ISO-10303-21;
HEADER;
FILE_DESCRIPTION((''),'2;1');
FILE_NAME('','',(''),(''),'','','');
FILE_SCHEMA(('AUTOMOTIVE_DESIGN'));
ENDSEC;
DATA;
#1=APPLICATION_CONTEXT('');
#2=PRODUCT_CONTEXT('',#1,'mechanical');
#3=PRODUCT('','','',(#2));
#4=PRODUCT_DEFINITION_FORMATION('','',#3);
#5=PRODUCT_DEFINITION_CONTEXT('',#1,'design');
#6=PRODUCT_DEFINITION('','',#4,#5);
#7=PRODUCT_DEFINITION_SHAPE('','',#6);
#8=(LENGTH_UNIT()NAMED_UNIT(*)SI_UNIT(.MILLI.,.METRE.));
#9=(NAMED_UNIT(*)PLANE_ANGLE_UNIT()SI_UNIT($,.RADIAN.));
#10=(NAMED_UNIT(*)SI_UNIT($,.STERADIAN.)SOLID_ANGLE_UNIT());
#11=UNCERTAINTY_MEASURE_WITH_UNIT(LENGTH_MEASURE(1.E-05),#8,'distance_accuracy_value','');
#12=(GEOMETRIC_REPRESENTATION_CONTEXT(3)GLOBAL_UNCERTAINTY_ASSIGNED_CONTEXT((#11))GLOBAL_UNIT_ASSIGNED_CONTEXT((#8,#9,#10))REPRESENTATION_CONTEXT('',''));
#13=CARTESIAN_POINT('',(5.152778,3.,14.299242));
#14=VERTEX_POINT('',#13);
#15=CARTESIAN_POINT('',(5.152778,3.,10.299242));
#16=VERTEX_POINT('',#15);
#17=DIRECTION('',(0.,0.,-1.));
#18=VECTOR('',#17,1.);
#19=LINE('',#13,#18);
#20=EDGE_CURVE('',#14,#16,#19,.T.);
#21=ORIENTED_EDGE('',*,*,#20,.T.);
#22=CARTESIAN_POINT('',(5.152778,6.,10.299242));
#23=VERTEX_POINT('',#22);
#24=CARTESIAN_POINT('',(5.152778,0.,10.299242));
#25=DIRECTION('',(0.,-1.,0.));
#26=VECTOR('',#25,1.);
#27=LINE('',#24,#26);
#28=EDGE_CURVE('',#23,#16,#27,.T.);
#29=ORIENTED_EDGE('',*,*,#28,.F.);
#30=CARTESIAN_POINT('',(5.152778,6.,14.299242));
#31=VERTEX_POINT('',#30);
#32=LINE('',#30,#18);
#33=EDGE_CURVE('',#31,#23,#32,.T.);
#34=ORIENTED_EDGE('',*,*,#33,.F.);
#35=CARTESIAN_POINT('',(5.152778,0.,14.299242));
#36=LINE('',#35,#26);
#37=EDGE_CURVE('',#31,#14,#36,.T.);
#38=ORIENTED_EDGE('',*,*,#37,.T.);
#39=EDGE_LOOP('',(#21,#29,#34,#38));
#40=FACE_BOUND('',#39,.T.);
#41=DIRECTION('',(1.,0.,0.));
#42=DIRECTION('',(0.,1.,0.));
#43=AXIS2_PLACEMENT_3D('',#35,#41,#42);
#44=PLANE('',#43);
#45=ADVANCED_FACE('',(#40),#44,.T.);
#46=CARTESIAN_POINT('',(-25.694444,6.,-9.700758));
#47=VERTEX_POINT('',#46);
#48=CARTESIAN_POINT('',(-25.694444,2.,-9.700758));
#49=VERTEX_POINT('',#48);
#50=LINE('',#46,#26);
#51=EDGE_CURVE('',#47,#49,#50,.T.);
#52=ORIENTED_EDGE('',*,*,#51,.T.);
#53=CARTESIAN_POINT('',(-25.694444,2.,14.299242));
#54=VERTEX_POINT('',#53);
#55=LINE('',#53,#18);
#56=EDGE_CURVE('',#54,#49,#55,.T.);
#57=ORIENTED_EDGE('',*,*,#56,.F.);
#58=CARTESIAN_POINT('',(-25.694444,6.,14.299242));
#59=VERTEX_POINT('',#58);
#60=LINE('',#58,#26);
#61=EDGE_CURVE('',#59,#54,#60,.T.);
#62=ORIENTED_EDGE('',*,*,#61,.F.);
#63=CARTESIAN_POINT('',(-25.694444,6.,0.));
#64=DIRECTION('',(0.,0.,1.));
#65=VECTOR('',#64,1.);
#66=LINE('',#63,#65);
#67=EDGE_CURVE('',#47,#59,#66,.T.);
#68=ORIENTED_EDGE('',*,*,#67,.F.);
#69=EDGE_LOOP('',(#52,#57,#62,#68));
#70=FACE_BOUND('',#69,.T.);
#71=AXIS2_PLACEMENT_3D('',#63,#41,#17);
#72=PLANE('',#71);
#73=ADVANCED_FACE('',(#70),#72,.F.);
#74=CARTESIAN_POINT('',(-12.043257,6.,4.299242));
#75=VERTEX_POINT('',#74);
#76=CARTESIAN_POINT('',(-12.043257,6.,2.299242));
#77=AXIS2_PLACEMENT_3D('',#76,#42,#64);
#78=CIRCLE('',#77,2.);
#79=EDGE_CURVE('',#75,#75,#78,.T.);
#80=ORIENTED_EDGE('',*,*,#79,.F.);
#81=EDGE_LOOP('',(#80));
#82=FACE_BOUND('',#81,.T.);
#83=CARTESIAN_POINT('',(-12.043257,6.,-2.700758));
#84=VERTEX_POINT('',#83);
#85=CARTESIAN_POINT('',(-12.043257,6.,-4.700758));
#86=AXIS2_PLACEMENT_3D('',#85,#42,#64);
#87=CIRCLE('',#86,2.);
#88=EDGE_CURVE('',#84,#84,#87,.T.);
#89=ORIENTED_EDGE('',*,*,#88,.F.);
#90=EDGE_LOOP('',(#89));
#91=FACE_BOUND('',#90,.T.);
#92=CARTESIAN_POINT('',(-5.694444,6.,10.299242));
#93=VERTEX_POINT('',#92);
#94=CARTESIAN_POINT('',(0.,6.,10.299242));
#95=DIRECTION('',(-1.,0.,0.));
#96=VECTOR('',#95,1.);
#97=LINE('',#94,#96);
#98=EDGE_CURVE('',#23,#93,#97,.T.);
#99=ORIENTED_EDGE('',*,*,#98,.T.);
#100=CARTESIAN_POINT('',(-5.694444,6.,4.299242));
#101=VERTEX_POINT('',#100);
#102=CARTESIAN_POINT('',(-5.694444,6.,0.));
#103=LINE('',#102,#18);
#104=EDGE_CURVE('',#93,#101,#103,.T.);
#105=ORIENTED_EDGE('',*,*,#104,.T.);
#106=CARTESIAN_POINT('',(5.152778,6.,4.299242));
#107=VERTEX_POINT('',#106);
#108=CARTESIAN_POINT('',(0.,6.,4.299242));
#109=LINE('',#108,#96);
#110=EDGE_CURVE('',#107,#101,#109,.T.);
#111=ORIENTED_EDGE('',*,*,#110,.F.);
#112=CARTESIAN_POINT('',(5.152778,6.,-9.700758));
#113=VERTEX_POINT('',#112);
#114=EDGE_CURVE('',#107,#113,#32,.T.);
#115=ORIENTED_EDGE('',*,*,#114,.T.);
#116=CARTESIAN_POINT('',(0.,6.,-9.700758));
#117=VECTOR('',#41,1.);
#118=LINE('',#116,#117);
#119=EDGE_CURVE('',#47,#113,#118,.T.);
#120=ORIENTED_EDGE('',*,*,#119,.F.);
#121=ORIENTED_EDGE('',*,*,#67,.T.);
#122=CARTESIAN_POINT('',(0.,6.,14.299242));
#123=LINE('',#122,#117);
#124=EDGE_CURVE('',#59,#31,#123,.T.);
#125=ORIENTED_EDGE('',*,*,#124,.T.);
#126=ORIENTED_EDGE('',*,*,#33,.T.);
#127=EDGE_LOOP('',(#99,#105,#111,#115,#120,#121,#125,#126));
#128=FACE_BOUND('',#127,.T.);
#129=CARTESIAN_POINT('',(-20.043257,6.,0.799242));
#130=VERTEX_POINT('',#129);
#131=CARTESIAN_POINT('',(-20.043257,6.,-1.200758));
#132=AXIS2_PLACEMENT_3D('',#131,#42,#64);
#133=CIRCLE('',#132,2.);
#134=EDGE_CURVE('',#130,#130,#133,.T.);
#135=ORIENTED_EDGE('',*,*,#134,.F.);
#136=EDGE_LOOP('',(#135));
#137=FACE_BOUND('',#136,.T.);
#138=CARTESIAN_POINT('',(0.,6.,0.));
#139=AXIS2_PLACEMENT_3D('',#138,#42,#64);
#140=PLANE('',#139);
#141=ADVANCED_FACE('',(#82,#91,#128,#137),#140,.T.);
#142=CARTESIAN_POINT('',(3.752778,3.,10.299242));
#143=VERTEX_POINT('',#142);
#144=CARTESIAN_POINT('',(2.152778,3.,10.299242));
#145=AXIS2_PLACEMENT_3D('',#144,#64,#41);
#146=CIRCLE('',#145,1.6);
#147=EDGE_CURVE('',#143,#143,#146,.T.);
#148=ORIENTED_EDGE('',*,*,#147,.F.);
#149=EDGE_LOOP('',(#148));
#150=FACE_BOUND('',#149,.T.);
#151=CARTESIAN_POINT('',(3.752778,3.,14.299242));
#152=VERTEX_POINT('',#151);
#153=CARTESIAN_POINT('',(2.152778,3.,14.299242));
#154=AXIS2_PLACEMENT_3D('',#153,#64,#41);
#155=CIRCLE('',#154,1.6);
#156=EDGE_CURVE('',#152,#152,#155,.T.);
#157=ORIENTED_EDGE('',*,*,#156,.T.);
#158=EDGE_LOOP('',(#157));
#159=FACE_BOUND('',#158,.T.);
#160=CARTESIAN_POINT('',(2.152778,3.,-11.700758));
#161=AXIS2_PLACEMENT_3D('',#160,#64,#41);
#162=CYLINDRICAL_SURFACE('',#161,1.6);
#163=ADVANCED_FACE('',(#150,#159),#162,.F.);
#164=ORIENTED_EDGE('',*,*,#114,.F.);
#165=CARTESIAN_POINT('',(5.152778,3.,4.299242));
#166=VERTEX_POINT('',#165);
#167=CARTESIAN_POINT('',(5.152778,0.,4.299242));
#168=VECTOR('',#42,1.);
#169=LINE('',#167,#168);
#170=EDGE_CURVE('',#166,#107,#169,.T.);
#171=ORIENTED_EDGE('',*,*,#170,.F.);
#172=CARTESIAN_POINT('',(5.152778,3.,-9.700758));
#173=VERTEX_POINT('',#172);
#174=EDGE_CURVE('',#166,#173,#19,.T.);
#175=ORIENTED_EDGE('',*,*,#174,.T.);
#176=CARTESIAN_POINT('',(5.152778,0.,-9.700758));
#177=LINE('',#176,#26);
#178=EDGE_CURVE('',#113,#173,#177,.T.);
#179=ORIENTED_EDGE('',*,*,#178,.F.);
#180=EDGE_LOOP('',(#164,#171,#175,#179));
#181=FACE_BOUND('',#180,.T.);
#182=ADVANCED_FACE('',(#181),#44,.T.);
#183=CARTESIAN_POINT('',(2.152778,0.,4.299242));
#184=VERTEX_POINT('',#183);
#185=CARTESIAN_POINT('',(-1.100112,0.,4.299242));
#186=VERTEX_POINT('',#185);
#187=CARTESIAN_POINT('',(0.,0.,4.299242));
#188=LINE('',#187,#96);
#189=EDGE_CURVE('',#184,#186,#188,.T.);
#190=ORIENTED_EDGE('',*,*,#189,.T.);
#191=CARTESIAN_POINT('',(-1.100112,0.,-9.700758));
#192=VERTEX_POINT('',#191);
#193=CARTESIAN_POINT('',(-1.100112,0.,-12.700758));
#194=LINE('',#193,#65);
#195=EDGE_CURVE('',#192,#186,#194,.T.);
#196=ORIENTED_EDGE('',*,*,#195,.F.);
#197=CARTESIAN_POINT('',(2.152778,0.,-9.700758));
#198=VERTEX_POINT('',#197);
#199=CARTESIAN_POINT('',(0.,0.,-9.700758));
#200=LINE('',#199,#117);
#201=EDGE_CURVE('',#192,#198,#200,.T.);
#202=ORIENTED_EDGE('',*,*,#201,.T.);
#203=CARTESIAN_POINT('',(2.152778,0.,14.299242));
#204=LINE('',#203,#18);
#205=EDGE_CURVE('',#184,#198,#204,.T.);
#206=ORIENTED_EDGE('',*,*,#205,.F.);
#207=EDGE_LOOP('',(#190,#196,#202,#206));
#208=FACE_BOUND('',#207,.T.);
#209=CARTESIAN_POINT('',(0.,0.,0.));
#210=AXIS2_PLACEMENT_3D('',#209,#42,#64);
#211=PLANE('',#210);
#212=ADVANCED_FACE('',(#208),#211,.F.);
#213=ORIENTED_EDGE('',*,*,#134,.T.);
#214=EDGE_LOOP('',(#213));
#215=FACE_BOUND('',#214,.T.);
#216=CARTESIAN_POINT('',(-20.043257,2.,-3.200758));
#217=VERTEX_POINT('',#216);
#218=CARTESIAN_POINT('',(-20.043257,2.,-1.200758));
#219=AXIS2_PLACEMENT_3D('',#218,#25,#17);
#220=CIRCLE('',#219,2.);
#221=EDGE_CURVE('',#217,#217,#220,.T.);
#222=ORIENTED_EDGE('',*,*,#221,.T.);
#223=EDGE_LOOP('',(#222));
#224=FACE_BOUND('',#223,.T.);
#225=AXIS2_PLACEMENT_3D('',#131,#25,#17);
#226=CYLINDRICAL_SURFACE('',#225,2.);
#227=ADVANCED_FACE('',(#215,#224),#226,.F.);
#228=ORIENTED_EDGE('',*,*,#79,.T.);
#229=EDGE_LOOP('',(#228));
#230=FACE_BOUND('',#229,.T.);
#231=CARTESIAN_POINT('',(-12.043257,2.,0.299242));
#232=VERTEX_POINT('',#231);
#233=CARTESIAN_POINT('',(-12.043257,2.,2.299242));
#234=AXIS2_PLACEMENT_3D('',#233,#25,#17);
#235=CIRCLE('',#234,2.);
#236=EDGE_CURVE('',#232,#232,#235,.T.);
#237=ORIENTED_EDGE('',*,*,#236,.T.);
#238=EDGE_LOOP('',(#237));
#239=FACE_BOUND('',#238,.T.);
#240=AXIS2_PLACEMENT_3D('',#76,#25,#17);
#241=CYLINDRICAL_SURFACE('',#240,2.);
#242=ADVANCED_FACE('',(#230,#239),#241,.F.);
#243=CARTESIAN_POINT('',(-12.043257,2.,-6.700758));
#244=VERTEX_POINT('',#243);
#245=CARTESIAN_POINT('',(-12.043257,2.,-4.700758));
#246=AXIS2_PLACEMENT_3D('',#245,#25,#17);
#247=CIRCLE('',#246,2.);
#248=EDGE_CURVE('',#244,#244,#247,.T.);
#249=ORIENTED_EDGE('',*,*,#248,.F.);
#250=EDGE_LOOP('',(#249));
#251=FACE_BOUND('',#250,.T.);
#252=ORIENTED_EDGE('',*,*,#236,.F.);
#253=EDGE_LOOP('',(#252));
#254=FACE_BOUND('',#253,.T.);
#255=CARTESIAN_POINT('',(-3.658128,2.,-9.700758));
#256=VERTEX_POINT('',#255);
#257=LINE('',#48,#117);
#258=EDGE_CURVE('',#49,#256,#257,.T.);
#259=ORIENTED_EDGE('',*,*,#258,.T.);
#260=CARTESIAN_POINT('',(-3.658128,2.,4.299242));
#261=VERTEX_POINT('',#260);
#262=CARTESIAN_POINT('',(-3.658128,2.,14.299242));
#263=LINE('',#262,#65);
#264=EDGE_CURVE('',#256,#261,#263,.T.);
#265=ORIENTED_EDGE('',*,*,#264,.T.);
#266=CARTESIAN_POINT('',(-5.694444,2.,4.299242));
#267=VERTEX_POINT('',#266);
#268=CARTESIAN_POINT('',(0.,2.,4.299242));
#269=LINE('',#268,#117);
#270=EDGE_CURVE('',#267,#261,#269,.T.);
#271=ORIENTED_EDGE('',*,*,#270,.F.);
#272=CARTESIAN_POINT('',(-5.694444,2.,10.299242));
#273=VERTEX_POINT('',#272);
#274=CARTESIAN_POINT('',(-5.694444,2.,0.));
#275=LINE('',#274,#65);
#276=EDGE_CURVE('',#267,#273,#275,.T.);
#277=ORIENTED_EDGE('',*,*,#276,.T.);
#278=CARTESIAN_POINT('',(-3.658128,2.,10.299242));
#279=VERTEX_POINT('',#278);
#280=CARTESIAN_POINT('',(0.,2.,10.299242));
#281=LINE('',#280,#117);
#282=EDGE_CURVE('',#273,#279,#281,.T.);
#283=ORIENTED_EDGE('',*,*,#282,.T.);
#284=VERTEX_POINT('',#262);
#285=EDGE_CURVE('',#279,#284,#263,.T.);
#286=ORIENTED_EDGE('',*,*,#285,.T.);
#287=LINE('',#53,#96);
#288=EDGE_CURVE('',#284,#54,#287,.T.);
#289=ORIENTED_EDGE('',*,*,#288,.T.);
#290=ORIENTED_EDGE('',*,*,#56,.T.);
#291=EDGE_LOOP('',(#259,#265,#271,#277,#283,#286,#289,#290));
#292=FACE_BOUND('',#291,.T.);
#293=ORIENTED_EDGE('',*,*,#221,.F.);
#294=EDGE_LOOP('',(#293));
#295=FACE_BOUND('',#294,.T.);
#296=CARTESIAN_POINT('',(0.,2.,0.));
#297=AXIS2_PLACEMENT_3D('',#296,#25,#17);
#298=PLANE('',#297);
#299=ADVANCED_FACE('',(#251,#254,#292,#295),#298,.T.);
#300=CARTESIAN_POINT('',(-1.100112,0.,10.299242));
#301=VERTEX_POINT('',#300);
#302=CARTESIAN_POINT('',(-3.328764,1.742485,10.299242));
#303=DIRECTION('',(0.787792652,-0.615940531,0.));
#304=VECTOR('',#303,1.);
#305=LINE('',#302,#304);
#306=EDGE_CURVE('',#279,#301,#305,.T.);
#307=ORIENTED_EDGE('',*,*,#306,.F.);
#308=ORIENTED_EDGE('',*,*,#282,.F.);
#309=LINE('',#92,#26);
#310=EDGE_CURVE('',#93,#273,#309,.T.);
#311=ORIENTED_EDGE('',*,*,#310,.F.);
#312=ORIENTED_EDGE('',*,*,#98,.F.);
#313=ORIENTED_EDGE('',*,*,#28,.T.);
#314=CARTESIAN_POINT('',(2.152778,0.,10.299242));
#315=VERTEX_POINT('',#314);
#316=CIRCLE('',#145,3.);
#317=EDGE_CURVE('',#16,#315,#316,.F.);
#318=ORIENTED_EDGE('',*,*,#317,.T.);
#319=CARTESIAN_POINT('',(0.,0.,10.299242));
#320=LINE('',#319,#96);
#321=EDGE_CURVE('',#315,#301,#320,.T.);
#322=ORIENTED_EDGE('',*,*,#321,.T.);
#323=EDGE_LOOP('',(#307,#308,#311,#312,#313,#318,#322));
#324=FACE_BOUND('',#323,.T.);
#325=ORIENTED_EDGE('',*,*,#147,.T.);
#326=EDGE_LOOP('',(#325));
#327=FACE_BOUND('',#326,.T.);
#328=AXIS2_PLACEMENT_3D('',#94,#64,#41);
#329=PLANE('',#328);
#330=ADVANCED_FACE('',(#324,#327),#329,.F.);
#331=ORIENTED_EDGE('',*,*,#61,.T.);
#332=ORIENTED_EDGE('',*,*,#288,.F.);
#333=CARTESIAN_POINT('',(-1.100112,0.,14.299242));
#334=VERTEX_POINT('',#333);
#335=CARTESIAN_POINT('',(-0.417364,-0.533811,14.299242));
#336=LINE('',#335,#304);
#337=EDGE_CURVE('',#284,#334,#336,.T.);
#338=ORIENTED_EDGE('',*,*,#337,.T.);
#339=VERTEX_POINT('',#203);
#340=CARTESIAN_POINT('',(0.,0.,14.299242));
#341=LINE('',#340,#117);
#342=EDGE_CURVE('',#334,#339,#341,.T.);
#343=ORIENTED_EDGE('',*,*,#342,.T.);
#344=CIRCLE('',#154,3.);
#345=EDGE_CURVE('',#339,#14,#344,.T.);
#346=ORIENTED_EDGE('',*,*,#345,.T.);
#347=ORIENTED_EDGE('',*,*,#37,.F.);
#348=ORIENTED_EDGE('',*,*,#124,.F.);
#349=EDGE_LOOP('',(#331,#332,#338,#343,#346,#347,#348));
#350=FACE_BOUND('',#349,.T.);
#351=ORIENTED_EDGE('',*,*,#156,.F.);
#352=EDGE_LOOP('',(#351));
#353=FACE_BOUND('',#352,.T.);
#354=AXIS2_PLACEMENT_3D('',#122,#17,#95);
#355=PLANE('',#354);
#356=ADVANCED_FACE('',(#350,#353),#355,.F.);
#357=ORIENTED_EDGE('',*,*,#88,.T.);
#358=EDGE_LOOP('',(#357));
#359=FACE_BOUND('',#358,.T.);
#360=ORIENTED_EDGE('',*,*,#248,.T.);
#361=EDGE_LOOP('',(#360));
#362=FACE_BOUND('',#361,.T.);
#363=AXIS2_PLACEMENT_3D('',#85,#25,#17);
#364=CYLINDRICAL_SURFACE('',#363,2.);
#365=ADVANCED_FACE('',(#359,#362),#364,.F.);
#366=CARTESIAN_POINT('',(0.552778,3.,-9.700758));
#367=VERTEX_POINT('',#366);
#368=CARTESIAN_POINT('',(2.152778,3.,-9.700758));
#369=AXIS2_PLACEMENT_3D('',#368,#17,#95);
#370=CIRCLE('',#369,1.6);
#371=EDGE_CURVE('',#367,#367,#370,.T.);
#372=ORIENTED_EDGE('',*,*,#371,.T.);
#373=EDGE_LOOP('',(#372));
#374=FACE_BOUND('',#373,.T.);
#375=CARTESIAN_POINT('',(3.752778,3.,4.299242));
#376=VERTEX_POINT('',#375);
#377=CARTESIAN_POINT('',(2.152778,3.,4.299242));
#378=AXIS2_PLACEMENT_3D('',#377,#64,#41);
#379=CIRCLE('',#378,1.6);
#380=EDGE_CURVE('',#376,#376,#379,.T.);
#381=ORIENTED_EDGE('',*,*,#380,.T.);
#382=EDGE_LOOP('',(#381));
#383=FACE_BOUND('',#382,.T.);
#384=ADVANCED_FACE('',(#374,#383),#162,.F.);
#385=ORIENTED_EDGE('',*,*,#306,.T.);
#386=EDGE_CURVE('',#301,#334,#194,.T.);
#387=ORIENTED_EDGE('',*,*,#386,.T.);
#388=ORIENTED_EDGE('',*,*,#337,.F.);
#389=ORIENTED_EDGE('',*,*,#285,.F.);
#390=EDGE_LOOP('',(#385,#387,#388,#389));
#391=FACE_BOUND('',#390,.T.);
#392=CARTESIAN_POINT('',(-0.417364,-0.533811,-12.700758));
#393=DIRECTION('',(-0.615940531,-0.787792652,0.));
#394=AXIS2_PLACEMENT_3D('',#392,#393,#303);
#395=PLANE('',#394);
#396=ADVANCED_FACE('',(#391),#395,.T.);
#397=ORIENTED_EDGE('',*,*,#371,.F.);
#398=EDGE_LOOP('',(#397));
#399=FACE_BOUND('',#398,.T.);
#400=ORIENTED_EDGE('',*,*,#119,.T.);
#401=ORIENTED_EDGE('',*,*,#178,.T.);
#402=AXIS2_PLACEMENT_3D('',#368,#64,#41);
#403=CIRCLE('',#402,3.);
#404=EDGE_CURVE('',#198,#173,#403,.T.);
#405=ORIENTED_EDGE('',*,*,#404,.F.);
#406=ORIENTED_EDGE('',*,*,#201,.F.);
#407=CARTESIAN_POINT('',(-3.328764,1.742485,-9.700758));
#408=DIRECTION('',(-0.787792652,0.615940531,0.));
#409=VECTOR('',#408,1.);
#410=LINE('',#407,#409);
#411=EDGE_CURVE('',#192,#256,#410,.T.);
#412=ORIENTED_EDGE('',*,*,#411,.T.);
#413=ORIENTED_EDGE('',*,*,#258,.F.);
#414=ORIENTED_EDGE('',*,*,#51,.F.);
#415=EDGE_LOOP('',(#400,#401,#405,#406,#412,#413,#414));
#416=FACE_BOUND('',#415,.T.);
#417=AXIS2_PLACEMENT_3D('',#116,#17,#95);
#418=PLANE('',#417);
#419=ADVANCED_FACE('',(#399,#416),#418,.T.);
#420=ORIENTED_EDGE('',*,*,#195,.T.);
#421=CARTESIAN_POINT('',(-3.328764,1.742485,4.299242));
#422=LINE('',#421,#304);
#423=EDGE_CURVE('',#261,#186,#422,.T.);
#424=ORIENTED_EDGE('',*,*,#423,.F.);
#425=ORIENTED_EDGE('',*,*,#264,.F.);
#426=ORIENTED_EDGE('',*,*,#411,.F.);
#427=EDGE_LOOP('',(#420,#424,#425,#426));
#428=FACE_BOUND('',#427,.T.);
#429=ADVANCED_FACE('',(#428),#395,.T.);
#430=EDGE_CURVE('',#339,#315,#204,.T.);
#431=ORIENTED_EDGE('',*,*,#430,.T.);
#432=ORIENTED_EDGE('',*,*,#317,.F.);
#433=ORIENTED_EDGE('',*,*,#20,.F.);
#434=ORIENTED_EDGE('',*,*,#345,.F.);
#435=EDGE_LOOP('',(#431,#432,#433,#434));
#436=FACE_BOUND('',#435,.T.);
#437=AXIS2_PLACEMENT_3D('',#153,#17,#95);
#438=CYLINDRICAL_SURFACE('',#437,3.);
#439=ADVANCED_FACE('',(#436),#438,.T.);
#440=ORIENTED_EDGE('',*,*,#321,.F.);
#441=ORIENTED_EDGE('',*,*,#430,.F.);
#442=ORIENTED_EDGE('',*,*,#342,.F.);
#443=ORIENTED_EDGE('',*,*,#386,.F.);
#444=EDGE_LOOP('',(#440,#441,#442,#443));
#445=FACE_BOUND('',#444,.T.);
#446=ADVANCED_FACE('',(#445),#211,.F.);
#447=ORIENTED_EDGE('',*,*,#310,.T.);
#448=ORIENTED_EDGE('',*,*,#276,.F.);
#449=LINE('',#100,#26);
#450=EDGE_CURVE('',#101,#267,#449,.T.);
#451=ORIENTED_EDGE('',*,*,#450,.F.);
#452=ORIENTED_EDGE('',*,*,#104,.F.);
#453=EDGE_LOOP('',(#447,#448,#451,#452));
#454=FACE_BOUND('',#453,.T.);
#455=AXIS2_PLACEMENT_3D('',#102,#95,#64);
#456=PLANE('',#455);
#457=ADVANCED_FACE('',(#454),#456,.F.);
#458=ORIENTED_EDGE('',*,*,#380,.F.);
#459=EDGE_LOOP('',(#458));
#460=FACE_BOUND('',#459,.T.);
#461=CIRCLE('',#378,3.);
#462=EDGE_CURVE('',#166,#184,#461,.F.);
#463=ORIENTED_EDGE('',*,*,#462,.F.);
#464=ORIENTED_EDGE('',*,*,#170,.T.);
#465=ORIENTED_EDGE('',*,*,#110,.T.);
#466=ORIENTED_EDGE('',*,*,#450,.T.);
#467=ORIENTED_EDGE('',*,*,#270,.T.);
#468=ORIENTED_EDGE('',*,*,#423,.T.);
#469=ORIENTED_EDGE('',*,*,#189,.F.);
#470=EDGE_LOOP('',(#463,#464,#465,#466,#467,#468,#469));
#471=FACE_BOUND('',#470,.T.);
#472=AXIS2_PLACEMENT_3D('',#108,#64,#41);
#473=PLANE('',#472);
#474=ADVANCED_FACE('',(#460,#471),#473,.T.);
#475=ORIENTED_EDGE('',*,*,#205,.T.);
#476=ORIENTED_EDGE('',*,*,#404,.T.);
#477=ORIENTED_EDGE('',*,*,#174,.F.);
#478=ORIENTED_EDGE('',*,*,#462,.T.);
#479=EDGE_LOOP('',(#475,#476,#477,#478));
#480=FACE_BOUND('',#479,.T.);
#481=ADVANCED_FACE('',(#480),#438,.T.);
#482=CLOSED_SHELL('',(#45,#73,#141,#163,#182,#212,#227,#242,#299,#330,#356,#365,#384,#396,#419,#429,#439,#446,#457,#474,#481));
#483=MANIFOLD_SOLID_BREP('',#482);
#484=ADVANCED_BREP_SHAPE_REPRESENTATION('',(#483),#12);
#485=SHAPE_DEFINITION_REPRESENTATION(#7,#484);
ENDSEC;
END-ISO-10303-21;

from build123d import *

# Parameters (mm, degrees)
SKETCH_1_R          = 2
EXTRUDE_2_DEPTH     = 6
SKETCH_2_R          = 1.6
CUT_EXTRUDE_2_DEPTH = 26
SKETCH_3_W          = 22.036316786
SKETCH_3_H          = 24
CUT_EXTRUDE_3_DEPTH = 2
CUT_EXTRUDE_4_DEPTH = 27
CUT_EXTRUDE_7_DEPTH = 24
EXTRUDE_4_DEPTH     = 24
SKETCH_9_W          = 6
SKETCH_9_H          = 5.089389346
CUT_EXTRUDE_8_DEPTH = 24


with BuildPart() as part:
    # 草图1 → 凸台-拉伸2 (new body)
    with BuildSketch(Plane(origin=(0, 0, 0), x_dir=(1, 0, 0), z_dir=(0, 1, 0))):
        Polygon((4.305555556, 9.700757576), (-25.694444444, 9.700757576), (-25.694444444, -14.299242424), (4.305555556, -14.299242424), (4.305555556, -10.299242424), (-5.694444444, -10.299242424), (-5.694444444, -4.299242424), (4.305555556, -4.299242424), align=None)
        with Locations(Location((-12.043257461, -2.299242424, 0), (0, 0, 270))):
            Circle(SKETCH_1_R, mode=Mode.SUBTRACT)
        with Locations(Location((-20.043257461, 1.200757576, 0), (0, 0, 270))):
            Circle(SKETCH_1_R, mode=Mode.SUBTRACT)
        with Locations(Location((-12.043257461, 4.700757576, 0), (0, 0, 270))):
            Circle(SKETCH_1_R, mode=Mode.SUBTRACT)
    extrude(amount=EXTRUDE_2_DEPTH)

    # 草图2 → 切除-拉伸2 (cut)
    with BuildSketch(Plane.XY.offset(14.299242424)):
        with Locations((2.152777778, 3)):
            Circle(SKETCH_2_R)
    extrude(amount=-CUT_EXTRUDE_2_DEPTH, mode=Mode.SUBTRACT)

    # 草图3 → 切除-拉伸3 (cut)
    with BuildSketch(Plane.XZ):
        with Locations((-14.676286051, 2.299242424)):
            Rectangle(SKETCH_3_W, SKETCH_3_H)
    extrude(amount=-CUT_EXTRUDE_3_DEPTH, mode=Mode.SUBTRACT)

    # 草图4 → 切除-拉伸4 (cut)
    with BuildSketch(Plane.XY.offset(14.299242424)):
        Polygon((-1.100112358, 0), (-3.658127658, 2), (-3.658127658, 0), align=None)
    extrude(amount=-CUT_EXTRUDE_4_DEPTH, mode=Mode.SUBTRACT)

    # 草图5 → 切除-拉伸7 (cut)
    with BuildSketch(Plane(origin=(0, 0, -9.700757576), x_dir=(-1, 0, 0), z_dir=(0, 0, -1))):
        with BuildLine():
            Line((-2.152777778, 0), (-4.305555556, 0))
            Line((-4.305555556, 0), (-4.305555556, 0.910610654))
            ThreePointArc((-4.305555556, 0.910610654), (-3.32150186, 0.237015378), (-2.152777778, 0))
        make_face()
    extrude(amount=-CUT_EXTRUDE_7_DEPTH, mode=Mode.SUBTRACT)

    # 草图8 → 凸台-拉伸4 (add)
    with BuildSketch(Plane(origin=(0, 0, -9.700757576), x_dir=(-1, 0, 0), z_dir=(0, 0, -1))):
        with BuildLine():
            ThreePointArc((-4.305555556, 0.910610654), (-4.932915664, 1.872687562), (-5.152777778, 3))
            Line((-5.152777778, 3), (-5.152777778, 6))
            Line((-5.152777778, 6), (-4.305555556, 6))
            Line((-4.305555556, 6), (-4.305555556, 0.910610654))
        make_face()
    extrude(amount=-EXTRUDE_4_DEPTH)

    # 草图9 → 切除-拉伸8 (cut)
    with BuildSketch(Plane.ZY.offset(-4.305555556)):
        with Locations((7.299242424, 3.455305327)):
            Rectangle(SKETCH_9_W, SKETCH_9_H)
    extrude(amount=-CUT_EXTRUDE_8_DEPTH, mode=Mode.SUBTRACT)


solid = part.part
